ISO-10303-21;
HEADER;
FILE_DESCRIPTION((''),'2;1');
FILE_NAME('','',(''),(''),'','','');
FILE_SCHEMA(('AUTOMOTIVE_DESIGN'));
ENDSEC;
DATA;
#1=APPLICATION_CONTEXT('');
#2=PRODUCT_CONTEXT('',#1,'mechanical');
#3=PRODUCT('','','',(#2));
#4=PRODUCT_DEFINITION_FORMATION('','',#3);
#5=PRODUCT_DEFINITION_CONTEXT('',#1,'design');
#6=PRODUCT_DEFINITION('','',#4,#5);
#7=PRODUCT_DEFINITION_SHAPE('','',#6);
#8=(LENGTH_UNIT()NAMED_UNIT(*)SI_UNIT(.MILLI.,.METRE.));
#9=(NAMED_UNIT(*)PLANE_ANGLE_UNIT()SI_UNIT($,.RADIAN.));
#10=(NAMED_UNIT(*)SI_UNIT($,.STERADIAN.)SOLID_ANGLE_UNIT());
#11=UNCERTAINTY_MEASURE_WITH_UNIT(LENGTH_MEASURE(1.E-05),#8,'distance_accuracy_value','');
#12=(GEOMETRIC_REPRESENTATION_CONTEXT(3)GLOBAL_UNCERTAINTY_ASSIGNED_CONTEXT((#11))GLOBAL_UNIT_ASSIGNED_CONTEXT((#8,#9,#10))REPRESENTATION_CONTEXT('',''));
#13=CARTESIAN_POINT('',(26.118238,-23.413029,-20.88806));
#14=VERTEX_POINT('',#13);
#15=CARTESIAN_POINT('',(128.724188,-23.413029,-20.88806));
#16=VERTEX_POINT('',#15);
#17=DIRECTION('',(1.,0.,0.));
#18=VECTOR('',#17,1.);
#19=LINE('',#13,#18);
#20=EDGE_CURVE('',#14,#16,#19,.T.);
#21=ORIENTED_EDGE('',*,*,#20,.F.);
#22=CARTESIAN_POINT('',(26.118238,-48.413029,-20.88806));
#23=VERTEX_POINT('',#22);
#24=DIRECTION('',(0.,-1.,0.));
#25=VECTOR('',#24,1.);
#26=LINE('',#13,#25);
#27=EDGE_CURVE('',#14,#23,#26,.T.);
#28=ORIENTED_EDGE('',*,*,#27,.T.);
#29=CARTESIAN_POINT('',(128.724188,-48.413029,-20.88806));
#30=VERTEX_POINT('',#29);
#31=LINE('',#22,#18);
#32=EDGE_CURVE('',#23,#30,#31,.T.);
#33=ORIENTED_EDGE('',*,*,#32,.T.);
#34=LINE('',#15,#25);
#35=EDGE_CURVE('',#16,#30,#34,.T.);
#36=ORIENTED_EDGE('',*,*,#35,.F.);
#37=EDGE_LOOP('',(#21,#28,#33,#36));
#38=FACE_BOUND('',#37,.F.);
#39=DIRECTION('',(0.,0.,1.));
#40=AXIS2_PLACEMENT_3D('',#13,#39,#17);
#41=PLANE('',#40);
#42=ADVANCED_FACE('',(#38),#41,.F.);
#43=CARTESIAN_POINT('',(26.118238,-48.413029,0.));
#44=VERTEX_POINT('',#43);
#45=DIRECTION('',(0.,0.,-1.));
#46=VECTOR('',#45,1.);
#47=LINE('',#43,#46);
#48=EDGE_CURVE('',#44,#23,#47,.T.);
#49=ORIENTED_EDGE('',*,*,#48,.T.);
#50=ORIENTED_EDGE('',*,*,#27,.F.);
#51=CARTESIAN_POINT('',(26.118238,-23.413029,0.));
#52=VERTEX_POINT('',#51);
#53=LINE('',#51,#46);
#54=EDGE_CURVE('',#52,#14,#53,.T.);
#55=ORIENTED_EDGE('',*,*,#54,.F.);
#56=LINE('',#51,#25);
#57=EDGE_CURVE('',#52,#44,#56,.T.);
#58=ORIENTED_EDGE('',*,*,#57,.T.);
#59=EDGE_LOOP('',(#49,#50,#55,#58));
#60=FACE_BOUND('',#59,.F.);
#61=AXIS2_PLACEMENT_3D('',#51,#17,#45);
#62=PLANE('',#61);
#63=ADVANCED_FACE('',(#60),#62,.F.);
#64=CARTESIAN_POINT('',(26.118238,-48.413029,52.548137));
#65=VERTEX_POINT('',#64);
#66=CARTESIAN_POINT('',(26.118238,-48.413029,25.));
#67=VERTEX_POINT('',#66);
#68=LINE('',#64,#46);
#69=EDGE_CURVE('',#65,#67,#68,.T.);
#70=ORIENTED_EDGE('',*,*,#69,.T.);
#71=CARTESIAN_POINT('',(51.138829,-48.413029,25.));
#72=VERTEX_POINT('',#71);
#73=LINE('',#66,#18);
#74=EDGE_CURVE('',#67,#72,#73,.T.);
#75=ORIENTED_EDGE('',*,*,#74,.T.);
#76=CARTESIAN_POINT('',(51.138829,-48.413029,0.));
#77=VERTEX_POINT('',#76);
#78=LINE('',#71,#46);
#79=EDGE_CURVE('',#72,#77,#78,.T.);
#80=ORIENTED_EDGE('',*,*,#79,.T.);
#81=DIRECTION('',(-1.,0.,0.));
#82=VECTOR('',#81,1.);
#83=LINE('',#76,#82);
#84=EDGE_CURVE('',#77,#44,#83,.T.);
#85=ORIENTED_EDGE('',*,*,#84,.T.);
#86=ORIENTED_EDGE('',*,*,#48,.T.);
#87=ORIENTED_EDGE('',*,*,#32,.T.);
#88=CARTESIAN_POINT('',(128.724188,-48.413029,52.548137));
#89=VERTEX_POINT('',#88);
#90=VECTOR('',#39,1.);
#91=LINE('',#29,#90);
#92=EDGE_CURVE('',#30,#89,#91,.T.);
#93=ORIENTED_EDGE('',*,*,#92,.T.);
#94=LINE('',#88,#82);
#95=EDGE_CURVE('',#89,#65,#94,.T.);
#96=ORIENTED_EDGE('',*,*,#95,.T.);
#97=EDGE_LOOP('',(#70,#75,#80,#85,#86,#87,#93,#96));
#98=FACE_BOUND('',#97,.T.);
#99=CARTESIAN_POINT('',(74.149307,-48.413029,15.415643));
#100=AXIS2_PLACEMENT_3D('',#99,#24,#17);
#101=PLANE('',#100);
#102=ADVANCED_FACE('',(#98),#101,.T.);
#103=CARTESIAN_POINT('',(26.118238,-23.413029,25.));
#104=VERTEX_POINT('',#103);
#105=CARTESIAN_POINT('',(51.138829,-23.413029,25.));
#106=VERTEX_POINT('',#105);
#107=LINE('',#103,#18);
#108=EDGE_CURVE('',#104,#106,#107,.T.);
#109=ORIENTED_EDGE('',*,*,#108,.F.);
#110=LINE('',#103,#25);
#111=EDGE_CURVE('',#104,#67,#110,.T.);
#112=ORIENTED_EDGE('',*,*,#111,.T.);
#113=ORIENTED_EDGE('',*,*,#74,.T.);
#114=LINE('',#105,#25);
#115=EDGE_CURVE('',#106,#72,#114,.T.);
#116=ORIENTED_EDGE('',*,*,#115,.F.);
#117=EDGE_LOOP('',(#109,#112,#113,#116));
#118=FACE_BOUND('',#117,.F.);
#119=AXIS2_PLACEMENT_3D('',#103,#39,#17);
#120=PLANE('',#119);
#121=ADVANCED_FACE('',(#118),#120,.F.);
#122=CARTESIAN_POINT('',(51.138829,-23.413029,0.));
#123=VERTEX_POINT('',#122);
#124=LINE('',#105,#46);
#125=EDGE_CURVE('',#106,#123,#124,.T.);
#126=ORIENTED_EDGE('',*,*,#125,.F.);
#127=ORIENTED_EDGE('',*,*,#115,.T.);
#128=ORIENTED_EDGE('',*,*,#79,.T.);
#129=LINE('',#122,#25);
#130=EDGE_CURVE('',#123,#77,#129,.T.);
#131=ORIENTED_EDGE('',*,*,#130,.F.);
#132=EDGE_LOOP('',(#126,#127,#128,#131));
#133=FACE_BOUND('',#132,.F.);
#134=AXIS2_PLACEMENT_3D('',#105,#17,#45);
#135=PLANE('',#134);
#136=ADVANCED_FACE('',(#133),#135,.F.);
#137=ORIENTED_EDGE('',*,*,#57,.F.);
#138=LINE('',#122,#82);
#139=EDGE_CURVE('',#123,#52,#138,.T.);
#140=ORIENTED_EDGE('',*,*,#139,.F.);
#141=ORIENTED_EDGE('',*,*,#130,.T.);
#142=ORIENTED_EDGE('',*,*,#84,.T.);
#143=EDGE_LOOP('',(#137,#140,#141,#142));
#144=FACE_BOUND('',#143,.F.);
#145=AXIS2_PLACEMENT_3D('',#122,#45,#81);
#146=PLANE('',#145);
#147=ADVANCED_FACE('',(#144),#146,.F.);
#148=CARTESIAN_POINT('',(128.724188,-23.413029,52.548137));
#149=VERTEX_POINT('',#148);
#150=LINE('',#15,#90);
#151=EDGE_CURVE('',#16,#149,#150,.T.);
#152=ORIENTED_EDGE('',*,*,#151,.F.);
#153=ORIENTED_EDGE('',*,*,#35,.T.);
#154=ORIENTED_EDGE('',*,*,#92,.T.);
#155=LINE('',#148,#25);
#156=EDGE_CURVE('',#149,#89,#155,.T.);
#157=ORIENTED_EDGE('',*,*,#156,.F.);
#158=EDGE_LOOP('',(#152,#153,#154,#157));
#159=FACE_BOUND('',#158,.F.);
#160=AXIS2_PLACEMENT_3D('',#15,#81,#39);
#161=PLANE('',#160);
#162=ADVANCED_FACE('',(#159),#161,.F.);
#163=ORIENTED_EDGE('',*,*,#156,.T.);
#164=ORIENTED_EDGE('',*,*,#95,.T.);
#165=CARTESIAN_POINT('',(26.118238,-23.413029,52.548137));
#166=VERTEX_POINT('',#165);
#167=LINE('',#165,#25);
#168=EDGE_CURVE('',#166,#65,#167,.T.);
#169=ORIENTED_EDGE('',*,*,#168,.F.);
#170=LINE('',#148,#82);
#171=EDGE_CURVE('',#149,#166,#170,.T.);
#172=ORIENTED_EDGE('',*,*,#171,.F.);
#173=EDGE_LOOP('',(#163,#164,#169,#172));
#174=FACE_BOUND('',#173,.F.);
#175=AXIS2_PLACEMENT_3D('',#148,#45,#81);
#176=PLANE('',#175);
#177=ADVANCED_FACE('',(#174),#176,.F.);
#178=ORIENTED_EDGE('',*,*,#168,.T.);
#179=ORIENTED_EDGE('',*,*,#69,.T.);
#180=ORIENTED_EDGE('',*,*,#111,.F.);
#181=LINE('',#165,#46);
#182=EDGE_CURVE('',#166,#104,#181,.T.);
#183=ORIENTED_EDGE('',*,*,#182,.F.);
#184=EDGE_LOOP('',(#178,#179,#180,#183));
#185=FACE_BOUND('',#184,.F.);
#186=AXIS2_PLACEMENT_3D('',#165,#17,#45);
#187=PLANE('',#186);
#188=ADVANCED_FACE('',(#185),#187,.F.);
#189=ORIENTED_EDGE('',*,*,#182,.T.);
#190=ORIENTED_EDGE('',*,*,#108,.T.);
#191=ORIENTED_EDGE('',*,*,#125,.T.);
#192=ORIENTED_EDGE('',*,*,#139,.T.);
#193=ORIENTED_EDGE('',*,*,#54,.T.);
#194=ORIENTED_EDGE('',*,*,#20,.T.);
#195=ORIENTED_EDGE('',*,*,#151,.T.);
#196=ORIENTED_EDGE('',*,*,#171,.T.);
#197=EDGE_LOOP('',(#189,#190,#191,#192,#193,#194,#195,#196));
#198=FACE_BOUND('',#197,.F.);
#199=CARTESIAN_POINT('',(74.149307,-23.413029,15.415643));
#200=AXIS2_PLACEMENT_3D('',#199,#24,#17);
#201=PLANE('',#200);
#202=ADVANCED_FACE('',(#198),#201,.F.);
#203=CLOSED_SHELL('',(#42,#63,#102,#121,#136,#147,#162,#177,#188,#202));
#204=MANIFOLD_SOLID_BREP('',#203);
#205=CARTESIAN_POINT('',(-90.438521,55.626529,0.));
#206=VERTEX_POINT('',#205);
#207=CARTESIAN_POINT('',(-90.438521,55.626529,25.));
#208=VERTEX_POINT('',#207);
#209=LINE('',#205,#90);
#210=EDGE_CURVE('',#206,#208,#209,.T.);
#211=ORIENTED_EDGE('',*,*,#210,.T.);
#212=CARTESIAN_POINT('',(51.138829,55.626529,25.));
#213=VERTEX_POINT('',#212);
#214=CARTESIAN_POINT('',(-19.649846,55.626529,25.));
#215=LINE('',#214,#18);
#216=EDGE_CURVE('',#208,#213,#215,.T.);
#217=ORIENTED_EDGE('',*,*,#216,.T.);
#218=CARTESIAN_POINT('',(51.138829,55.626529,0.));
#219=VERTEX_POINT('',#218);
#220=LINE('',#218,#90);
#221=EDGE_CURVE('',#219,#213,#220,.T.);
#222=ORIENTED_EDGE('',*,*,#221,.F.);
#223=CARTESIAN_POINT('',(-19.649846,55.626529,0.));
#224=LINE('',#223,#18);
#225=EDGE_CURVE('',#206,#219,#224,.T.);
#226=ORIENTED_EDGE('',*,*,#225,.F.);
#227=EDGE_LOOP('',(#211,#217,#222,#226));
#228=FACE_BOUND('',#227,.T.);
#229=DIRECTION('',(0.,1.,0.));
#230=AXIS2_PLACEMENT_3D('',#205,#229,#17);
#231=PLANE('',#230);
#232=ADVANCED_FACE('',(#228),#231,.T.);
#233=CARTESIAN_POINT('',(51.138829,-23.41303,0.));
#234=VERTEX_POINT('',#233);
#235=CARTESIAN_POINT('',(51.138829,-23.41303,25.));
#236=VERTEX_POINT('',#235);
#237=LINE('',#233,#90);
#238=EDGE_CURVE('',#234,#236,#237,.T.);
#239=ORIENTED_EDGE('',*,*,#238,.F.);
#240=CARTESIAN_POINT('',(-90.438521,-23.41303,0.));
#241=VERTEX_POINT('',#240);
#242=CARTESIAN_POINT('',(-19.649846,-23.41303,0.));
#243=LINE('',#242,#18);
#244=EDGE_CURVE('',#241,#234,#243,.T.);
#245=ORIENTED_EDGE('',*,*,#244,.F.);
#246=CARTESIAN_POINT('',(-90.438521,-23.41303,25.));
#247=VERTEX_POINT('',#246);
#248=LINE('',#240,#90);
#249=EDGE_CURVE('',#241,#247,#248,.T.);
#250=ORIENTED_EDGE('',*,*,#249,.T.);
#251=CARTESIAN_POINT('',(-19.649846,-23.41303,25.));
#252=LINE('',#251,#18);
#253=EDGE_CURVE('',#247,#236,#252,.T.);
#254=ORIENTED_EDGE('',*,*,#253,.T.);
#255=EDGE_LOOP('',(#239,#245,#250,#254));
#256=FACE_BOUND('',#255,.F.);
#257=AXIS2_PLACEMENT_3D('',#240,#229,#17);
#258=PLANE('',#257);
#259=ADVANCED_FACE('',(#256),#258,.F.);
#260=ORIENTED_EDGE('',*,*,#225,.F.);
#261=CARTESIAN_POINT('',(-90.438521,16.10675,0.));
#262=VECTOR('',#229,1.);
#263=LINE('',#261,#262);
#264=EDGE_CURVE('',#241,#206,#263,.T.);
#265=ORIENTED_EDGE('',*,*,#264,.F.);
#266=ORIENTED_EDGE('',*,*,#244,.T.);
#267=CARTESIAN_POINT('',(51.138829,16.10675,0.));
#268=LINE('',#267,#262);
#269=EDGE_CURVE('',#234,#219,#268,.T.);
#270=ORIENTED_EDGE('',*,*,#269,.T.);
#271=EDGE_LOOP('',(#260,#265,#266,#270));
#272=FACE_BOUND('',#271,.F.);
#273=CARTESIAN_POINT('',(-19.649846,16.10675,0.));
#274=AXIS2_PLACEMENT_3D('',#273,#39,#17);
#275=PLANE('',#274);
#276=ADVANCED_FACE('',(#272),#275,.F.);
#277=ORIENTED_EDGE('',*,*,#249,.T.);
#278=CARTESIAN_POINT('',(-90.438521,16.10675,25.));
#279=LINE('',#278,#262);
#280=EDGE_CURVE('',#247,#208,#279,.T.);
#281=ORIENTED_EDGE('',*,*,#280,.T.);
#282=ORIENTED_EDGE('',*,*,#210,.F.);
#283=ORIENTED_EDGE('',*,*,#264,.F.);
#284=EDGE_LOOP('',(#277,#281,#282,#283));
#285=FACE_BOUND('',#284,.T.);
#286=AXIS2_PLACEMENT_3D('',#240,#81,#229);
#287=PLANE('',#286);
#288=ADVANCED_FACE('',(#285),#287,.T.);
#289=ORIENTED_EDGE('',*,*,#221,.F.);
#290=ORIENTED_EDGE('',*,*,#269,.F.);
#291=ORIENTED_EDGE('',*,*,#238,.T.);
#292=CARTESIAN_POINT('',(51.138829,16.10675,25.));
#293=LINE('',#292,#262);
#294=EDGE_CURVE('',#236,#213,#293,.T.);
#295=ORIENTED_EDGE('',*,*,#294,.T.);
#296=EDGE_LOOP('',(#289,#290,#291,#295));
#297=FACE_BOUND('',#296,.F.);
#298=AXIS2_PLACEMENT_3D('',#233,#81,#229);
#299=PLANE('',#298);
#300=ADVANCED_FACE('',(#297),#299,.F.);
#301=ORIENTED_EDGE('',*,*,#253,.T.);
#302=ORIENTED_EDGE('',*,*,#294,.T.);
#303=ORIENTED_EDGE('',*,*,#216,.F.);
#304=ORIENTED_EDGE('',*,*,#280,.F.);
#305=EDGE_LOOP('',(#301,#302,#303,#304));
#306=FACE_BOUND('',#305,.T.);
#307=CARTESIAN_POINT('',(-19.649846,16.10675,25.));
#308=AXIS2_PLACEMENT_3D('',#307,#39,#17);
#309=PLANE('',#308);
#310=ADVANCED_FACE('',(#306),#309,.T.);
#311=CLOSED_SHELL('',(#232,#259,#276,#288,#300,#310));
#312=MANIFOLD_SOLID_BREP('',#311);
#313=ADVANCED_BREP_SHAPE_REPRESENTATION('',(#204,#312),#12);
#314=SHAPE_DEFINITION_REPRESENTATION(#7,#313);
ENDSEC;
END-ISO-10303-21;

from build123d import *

# Parameters (mm, degrees)
F0_W     = 141.577351
F0_H     = 79.039559
F1_DEPTH = 25
F3_DEPTH = 25


with BuildPart() as f1:
    # F0 (on Top) → F1 (new body)
    with BuildSketch(Plane.XY):
        with Locations((-19.649846, 16.10675)):
            Rectangle(F0_W, F0_H)
    extrude(amount=F1_DEPTH)


with BuildPart() as f3:
    # F2 (on face) → F3 (new body)
    with BuildSketch(Plane.XZ.offset(23.413029)):
        Polygon((128.724188, 52.548137), (26.118238, 52.548137), (26.118238, 25), (51.138829, 25), (51.138829, 0), (26.118238, 0), (26.118238, -20.88806), (128.724188, -20.88806), align=None)
    extrude(amount=F3_DEPTH)


solid = Compound([f1.part, f3.part])
